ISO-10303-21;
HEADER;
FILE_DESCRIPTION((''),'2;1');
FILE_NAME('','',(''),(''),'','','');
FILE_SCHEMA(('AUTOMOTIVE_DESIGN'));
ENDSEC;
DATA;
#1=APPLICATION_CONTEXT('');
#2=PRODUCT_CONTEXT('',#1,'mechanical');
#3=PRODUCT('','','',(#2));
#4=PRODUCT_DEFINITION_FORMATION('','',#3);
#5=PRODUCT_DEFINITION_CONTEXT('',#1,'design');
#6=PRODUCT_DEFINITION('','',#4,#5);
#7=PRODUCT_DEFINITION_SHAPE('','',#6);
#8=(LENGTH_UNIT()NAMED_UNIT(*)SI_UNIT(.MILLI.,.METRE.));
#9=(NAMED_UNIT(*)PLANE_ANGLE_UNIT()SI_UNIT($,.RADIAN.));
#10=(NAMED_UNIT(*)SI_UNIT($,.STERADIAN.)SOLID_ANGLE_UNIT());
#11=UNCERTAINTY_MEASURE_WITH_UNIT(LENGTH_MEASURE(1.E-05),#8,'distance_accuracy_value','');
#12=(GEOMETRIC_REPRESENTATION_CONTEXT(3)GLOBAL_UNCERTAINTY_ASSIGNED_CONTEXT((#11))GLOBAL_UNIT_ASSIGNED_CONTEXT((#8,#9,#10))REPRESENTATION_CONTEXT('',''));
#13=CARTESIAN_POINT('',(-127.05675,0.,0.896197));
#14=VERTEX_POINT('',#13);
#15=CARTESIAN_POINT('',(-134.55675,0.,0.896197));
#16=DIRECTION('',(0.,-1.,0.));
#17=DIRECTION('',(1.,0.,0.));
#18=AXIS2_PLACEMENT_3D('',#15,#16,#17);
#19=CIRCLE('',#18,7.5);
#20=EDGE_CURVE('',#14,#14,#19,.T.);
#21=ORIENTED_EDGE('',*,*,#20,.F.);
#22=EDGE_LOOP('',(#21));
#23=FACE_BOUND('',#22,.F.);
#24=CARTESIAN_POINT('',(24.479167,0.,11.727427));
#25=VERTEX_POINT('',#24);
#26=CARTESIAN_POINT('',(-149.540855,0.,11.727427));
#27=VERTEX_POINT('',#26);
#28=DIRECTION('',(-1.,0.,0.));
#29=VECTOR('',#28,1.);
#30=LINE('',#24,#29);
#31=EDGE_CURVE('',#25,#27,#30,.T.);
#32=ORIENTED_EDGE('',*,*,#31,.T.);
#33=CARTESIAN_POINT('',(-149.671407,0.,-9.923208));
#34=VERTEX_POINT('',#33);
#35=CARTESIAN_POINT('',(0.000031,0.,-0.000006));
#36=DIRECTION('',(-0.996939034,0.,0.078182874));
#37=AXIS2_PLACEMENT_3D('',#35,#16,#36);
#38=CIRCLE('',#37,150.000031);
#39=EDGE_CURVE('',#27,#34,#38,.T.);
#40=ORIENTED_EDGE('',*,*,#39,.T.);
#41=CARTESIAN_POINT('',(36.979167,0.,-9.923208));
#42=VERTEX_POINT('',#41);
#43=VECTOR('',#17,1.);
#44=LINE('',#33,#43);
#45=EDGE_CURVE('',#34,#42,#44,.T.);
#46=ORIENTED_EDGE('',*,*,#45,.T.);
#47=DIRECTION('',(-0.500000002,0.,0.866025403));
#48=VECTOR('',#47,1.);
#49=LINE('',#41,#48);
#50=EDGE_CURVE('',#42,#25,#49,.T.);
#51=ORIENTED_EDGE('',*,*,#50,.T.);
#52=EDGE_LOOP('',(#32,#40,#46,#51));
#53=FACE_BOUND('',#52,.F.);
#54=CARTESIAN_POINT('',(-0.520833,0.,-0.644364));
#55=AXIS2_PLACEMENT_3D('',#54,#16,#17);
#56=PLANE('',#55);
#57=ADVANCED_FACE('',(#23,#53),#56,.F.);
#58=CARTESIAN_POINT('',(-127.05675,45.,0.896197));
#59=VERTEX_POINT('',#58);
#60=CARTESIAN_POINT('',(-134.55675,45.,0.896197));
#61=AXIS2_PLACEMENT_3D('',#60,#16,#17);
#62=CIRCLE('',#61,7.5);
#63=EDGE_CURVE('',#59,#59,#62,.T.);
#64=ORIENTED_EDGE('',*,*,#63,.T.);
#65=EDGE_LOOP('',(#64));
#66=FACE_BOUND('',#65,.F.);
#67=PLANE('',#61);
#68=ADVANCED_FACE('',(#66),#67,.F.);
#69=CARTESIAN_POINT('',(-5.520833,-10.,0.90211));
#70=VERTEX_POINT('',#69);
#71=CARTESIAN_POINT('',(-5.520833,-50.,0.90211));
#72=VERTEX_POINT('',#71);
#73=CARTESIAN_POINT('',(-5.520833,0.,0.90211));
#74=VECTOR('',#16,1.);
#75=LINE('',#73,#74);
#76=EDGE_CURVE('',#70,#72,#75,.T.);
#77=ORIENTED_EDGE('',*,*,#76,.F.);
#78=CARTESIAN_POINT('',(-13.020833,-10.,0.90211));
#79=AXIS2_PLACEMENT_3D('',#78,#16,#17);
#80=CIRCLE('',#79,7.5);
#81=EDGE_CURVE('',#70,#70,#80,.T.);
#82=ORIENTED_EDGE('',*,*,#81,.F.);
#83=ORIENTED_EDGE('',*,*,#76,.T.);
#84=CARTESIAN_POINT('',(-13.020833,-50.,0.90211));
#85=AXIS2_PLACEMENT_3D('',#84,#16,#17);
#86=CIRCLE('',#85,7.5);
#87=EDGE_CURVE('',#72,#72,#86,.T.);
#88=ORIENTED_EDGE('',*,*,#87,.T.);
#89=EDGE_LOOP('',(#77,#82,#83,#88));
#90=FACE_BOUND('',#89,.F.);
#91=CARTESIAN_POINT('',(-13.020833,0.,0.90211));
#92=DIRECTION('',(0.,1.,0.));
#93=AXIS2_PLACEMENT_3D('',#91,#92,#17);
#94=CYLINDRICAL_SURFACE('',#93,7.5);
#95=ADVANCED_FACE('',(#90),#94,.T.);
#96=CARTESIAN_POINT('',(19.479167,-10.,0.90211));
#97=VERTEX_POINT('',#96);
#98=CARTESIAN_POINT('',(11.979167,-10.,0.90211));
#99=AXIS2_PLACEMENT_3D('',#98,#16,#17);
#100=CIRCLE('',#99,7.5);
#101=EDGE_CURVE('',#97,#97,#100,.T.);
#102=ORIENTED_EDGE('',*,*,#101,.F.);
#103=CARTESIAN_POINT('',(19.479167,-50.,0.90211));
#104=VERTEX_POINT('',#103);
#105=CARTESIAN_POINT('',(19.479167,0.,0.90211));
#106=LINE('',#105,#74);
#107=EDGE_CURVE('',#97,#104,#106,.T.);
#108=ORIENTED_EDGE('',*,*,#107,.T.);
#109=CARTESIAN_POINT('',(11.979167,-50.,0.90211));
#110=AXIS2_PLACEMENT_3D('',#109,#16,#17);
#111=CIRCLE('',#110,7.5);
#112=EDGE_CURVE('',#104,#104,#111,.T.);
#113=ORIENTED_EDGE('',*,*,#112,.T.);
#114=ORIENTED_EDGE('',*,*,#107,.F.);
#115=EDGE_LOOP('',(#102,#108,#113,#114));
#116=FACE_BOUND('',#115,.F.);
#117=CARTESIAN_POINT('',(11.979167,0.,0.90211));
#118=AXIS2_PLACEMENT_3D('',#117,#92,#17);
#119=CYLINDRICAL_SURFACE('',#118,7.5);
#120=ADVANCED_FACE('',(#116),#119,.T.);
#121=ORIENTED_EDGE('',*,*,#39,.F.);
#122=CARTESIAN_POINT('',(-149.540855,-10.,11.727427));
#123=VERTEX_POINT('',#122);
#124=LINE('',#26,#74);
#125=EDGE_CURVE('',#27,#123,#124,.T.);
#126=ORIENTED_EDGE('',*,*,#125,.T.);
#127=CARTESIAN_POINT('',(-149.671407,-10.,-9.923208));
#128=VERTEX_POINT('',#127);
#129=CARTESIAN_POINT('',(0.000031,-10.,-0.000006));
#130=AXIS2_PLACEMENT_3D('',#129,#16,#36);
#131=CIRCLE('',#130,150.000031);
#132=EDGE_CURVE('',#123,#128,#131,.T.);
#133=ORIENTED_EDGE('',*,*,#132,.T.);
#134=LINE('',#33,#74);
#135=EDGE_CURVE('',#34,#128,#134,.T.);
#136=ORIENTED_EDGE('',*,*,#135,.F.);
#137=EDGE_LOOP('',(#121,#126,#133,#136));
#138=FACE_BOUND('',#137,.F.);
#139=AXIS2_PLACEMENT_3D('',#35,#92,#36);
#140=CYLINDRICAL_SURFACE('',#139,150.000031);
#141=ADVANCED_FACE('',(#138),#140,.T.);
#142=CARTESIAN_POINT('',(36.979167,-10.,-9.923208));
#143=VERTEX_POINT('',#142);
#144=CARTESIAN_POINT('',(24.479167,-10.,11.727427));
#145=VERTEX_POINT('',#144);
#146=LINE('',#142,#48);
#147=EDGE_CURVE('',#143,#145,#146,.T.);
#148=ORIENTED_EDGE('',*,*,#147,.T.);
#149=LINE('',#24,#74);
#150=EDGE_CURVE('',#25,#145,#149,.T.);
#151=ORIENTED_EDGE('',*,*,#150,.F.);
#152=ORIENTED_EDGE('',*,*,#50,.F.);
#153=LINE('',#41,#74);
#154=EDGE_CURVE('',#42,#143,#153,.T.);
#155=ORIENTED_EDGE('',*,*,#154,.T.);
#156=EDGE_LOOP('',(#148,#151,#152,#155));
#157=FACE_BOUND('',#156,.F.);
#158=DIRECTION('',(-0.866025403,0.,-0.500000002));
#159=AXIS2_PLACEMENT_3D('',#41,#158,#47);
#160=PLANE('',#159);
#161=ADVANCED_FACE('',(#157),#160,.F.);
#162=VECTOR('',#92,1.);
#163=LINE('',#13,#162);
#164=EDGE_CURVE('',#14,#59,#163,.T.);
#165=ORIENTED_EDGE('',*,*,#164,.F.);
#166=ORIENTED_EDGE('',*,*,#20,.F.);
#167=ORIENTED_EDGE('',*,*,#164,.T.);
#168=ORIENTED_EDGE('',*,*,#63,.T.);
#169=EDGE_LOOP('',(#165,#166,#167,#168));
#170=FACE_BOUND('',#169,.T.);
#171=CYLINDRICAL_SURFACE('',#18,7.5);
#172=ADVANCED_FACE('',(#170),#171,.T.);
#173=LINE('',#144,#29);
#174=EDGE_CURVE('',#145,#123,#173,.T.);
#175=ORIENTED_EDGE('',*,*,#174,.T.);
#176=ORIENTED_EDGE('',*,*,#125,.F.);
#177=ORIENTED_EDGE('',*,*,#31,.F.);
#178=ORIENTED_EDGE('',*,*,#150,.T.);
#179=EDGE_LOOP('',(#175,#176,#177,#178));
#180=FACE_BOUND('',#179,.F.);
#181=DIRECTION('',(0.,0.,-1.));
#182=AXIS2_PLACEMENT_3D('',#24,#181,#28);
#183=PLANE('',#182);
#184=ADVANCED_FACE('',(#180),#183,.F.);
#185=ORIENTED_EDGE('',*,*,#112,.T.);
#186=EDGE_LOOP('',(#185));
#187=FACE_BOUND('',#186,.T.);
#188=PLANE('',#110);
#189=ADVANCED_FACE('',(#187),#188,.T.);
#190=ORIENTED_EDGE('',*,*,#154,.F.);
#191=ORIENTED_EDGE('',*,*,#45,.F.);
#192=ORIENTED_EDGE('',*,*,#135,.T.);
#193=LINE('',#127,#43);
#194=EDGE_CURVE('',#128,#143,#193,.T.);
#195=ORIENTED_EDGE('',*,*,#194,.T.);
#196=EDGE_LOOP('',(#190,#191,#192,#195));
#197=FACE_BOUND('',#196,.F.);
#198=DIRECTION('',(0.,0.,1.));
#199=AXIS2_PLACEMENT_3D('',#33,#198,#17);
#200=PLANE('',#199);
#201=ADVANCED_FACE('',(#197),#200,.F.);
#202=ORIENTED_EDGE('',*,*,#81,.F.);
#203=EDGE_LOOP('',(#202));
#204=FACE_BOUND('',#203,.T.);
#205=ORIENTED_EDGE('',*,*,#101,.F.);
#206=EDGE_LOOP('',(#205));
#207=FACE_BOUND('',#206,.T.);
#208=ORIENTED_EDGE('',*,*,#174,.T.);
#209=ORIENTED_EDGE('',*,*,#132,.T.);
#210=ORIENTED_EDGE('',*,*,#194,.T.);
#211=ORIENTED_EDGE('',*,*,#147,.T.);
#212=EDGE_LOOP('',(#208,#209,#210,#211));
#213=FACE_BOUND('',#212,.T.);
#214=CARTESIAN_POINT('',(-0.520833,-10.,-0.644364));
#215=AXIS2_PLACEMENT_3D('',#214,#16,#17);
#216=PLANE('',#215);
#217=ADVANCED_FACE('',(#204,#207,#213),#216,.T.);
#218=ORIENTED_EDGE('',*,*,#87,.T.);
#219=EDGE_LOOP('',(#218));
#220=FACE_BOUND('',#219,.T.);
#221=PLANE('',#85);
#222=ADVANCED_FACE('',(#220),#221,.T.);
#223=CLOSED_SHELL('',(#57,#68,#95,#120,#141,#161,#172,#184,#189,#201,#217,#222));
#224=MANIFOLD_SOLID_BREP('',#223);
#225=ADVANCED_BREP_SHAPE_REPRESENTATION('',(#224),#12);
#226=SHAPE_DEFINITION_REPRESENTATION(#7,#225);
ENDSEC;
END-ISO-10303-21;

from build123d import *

# Parameters (mm, degrees)
F0_R     = 7.5
F1_DEPTH = 10
F2_DEPTH = 50
F3_DEPTH = 45


with BuildPart() as f1:
    # F0 (on Front) → F1 (new body)
    with BuildSketch(Plane.XZ):
        Polygon((-25.520833, 11.727427), (-38.020833, -9.923208), (-13.020833, -9.923208), (0, -9.923208), (11.979167, -9.923208), (36.979167, -9.923208), (24.479167, 11.727427), (11.979167, 11.727427), align=None)
        with Locations((-13.020833, 0.90211)):
            Circle(F0_R, mode=Mode.SUBTRACT)
        with Locations((11.979167, 0.90211)):
            Circle(F0_R, mode=Mode.SUBTRACT)
        with BuildLine():
            Line((-119.589004, -9.923208), (-38.020833, -9.923208))
            Line((-38.020833, -9.923208), (-25.520833, 11.727427))
            Line((-25.520833, 11.727427), (-119.425573, 11.727427))
            ThreePointArc((-119.425573, 11.727427), (-119.996581, 0.905803), (-119.589004, -9.923208))
        make_face()
        with BuildLine():
            Line((-149.671407, -9.923208), (-119.589004, -9.923208))
            ThreePointArc((-119.589004, -9.923208), (-119.996581, 0.905803), (-119.425573, 11.727427))
            Line((-119.425573, 11.727427), (-149.540855, 11.727427))
            ThreePointArc((-149.540855, 11.727427), (-149.997273, 0.904468), (-149.671407, -9.923208))
        make_face()
        with Locations((-134.55675, 0.896197)):
            Circle(F0_R, mode=Mode.SUBTRACT)
        with Locations((-134.55675, 0.896197)):
            Circle(F0_R)
    extrude(amount=F1_DEPTH)

    # F0 (on Front) → F2 (join)
    with BuildSketch(Plane.XZ):
        with Locations((-13.020833, 0.90211)):
            Circle(F0_R)
        with Locations((11.979167, 0.90211)):
            Circle(F0_R)
    extrude(amount=F2_DEPTH)

    # F0 (on Front) → F3 (join)
    with BuildSketch(Plane.XZ):
        with Locations((-134.55675, 0.896197)):
            Circle(F0_R)
    extrude(amount=-F3_DEPTH)


solid = f1.part
